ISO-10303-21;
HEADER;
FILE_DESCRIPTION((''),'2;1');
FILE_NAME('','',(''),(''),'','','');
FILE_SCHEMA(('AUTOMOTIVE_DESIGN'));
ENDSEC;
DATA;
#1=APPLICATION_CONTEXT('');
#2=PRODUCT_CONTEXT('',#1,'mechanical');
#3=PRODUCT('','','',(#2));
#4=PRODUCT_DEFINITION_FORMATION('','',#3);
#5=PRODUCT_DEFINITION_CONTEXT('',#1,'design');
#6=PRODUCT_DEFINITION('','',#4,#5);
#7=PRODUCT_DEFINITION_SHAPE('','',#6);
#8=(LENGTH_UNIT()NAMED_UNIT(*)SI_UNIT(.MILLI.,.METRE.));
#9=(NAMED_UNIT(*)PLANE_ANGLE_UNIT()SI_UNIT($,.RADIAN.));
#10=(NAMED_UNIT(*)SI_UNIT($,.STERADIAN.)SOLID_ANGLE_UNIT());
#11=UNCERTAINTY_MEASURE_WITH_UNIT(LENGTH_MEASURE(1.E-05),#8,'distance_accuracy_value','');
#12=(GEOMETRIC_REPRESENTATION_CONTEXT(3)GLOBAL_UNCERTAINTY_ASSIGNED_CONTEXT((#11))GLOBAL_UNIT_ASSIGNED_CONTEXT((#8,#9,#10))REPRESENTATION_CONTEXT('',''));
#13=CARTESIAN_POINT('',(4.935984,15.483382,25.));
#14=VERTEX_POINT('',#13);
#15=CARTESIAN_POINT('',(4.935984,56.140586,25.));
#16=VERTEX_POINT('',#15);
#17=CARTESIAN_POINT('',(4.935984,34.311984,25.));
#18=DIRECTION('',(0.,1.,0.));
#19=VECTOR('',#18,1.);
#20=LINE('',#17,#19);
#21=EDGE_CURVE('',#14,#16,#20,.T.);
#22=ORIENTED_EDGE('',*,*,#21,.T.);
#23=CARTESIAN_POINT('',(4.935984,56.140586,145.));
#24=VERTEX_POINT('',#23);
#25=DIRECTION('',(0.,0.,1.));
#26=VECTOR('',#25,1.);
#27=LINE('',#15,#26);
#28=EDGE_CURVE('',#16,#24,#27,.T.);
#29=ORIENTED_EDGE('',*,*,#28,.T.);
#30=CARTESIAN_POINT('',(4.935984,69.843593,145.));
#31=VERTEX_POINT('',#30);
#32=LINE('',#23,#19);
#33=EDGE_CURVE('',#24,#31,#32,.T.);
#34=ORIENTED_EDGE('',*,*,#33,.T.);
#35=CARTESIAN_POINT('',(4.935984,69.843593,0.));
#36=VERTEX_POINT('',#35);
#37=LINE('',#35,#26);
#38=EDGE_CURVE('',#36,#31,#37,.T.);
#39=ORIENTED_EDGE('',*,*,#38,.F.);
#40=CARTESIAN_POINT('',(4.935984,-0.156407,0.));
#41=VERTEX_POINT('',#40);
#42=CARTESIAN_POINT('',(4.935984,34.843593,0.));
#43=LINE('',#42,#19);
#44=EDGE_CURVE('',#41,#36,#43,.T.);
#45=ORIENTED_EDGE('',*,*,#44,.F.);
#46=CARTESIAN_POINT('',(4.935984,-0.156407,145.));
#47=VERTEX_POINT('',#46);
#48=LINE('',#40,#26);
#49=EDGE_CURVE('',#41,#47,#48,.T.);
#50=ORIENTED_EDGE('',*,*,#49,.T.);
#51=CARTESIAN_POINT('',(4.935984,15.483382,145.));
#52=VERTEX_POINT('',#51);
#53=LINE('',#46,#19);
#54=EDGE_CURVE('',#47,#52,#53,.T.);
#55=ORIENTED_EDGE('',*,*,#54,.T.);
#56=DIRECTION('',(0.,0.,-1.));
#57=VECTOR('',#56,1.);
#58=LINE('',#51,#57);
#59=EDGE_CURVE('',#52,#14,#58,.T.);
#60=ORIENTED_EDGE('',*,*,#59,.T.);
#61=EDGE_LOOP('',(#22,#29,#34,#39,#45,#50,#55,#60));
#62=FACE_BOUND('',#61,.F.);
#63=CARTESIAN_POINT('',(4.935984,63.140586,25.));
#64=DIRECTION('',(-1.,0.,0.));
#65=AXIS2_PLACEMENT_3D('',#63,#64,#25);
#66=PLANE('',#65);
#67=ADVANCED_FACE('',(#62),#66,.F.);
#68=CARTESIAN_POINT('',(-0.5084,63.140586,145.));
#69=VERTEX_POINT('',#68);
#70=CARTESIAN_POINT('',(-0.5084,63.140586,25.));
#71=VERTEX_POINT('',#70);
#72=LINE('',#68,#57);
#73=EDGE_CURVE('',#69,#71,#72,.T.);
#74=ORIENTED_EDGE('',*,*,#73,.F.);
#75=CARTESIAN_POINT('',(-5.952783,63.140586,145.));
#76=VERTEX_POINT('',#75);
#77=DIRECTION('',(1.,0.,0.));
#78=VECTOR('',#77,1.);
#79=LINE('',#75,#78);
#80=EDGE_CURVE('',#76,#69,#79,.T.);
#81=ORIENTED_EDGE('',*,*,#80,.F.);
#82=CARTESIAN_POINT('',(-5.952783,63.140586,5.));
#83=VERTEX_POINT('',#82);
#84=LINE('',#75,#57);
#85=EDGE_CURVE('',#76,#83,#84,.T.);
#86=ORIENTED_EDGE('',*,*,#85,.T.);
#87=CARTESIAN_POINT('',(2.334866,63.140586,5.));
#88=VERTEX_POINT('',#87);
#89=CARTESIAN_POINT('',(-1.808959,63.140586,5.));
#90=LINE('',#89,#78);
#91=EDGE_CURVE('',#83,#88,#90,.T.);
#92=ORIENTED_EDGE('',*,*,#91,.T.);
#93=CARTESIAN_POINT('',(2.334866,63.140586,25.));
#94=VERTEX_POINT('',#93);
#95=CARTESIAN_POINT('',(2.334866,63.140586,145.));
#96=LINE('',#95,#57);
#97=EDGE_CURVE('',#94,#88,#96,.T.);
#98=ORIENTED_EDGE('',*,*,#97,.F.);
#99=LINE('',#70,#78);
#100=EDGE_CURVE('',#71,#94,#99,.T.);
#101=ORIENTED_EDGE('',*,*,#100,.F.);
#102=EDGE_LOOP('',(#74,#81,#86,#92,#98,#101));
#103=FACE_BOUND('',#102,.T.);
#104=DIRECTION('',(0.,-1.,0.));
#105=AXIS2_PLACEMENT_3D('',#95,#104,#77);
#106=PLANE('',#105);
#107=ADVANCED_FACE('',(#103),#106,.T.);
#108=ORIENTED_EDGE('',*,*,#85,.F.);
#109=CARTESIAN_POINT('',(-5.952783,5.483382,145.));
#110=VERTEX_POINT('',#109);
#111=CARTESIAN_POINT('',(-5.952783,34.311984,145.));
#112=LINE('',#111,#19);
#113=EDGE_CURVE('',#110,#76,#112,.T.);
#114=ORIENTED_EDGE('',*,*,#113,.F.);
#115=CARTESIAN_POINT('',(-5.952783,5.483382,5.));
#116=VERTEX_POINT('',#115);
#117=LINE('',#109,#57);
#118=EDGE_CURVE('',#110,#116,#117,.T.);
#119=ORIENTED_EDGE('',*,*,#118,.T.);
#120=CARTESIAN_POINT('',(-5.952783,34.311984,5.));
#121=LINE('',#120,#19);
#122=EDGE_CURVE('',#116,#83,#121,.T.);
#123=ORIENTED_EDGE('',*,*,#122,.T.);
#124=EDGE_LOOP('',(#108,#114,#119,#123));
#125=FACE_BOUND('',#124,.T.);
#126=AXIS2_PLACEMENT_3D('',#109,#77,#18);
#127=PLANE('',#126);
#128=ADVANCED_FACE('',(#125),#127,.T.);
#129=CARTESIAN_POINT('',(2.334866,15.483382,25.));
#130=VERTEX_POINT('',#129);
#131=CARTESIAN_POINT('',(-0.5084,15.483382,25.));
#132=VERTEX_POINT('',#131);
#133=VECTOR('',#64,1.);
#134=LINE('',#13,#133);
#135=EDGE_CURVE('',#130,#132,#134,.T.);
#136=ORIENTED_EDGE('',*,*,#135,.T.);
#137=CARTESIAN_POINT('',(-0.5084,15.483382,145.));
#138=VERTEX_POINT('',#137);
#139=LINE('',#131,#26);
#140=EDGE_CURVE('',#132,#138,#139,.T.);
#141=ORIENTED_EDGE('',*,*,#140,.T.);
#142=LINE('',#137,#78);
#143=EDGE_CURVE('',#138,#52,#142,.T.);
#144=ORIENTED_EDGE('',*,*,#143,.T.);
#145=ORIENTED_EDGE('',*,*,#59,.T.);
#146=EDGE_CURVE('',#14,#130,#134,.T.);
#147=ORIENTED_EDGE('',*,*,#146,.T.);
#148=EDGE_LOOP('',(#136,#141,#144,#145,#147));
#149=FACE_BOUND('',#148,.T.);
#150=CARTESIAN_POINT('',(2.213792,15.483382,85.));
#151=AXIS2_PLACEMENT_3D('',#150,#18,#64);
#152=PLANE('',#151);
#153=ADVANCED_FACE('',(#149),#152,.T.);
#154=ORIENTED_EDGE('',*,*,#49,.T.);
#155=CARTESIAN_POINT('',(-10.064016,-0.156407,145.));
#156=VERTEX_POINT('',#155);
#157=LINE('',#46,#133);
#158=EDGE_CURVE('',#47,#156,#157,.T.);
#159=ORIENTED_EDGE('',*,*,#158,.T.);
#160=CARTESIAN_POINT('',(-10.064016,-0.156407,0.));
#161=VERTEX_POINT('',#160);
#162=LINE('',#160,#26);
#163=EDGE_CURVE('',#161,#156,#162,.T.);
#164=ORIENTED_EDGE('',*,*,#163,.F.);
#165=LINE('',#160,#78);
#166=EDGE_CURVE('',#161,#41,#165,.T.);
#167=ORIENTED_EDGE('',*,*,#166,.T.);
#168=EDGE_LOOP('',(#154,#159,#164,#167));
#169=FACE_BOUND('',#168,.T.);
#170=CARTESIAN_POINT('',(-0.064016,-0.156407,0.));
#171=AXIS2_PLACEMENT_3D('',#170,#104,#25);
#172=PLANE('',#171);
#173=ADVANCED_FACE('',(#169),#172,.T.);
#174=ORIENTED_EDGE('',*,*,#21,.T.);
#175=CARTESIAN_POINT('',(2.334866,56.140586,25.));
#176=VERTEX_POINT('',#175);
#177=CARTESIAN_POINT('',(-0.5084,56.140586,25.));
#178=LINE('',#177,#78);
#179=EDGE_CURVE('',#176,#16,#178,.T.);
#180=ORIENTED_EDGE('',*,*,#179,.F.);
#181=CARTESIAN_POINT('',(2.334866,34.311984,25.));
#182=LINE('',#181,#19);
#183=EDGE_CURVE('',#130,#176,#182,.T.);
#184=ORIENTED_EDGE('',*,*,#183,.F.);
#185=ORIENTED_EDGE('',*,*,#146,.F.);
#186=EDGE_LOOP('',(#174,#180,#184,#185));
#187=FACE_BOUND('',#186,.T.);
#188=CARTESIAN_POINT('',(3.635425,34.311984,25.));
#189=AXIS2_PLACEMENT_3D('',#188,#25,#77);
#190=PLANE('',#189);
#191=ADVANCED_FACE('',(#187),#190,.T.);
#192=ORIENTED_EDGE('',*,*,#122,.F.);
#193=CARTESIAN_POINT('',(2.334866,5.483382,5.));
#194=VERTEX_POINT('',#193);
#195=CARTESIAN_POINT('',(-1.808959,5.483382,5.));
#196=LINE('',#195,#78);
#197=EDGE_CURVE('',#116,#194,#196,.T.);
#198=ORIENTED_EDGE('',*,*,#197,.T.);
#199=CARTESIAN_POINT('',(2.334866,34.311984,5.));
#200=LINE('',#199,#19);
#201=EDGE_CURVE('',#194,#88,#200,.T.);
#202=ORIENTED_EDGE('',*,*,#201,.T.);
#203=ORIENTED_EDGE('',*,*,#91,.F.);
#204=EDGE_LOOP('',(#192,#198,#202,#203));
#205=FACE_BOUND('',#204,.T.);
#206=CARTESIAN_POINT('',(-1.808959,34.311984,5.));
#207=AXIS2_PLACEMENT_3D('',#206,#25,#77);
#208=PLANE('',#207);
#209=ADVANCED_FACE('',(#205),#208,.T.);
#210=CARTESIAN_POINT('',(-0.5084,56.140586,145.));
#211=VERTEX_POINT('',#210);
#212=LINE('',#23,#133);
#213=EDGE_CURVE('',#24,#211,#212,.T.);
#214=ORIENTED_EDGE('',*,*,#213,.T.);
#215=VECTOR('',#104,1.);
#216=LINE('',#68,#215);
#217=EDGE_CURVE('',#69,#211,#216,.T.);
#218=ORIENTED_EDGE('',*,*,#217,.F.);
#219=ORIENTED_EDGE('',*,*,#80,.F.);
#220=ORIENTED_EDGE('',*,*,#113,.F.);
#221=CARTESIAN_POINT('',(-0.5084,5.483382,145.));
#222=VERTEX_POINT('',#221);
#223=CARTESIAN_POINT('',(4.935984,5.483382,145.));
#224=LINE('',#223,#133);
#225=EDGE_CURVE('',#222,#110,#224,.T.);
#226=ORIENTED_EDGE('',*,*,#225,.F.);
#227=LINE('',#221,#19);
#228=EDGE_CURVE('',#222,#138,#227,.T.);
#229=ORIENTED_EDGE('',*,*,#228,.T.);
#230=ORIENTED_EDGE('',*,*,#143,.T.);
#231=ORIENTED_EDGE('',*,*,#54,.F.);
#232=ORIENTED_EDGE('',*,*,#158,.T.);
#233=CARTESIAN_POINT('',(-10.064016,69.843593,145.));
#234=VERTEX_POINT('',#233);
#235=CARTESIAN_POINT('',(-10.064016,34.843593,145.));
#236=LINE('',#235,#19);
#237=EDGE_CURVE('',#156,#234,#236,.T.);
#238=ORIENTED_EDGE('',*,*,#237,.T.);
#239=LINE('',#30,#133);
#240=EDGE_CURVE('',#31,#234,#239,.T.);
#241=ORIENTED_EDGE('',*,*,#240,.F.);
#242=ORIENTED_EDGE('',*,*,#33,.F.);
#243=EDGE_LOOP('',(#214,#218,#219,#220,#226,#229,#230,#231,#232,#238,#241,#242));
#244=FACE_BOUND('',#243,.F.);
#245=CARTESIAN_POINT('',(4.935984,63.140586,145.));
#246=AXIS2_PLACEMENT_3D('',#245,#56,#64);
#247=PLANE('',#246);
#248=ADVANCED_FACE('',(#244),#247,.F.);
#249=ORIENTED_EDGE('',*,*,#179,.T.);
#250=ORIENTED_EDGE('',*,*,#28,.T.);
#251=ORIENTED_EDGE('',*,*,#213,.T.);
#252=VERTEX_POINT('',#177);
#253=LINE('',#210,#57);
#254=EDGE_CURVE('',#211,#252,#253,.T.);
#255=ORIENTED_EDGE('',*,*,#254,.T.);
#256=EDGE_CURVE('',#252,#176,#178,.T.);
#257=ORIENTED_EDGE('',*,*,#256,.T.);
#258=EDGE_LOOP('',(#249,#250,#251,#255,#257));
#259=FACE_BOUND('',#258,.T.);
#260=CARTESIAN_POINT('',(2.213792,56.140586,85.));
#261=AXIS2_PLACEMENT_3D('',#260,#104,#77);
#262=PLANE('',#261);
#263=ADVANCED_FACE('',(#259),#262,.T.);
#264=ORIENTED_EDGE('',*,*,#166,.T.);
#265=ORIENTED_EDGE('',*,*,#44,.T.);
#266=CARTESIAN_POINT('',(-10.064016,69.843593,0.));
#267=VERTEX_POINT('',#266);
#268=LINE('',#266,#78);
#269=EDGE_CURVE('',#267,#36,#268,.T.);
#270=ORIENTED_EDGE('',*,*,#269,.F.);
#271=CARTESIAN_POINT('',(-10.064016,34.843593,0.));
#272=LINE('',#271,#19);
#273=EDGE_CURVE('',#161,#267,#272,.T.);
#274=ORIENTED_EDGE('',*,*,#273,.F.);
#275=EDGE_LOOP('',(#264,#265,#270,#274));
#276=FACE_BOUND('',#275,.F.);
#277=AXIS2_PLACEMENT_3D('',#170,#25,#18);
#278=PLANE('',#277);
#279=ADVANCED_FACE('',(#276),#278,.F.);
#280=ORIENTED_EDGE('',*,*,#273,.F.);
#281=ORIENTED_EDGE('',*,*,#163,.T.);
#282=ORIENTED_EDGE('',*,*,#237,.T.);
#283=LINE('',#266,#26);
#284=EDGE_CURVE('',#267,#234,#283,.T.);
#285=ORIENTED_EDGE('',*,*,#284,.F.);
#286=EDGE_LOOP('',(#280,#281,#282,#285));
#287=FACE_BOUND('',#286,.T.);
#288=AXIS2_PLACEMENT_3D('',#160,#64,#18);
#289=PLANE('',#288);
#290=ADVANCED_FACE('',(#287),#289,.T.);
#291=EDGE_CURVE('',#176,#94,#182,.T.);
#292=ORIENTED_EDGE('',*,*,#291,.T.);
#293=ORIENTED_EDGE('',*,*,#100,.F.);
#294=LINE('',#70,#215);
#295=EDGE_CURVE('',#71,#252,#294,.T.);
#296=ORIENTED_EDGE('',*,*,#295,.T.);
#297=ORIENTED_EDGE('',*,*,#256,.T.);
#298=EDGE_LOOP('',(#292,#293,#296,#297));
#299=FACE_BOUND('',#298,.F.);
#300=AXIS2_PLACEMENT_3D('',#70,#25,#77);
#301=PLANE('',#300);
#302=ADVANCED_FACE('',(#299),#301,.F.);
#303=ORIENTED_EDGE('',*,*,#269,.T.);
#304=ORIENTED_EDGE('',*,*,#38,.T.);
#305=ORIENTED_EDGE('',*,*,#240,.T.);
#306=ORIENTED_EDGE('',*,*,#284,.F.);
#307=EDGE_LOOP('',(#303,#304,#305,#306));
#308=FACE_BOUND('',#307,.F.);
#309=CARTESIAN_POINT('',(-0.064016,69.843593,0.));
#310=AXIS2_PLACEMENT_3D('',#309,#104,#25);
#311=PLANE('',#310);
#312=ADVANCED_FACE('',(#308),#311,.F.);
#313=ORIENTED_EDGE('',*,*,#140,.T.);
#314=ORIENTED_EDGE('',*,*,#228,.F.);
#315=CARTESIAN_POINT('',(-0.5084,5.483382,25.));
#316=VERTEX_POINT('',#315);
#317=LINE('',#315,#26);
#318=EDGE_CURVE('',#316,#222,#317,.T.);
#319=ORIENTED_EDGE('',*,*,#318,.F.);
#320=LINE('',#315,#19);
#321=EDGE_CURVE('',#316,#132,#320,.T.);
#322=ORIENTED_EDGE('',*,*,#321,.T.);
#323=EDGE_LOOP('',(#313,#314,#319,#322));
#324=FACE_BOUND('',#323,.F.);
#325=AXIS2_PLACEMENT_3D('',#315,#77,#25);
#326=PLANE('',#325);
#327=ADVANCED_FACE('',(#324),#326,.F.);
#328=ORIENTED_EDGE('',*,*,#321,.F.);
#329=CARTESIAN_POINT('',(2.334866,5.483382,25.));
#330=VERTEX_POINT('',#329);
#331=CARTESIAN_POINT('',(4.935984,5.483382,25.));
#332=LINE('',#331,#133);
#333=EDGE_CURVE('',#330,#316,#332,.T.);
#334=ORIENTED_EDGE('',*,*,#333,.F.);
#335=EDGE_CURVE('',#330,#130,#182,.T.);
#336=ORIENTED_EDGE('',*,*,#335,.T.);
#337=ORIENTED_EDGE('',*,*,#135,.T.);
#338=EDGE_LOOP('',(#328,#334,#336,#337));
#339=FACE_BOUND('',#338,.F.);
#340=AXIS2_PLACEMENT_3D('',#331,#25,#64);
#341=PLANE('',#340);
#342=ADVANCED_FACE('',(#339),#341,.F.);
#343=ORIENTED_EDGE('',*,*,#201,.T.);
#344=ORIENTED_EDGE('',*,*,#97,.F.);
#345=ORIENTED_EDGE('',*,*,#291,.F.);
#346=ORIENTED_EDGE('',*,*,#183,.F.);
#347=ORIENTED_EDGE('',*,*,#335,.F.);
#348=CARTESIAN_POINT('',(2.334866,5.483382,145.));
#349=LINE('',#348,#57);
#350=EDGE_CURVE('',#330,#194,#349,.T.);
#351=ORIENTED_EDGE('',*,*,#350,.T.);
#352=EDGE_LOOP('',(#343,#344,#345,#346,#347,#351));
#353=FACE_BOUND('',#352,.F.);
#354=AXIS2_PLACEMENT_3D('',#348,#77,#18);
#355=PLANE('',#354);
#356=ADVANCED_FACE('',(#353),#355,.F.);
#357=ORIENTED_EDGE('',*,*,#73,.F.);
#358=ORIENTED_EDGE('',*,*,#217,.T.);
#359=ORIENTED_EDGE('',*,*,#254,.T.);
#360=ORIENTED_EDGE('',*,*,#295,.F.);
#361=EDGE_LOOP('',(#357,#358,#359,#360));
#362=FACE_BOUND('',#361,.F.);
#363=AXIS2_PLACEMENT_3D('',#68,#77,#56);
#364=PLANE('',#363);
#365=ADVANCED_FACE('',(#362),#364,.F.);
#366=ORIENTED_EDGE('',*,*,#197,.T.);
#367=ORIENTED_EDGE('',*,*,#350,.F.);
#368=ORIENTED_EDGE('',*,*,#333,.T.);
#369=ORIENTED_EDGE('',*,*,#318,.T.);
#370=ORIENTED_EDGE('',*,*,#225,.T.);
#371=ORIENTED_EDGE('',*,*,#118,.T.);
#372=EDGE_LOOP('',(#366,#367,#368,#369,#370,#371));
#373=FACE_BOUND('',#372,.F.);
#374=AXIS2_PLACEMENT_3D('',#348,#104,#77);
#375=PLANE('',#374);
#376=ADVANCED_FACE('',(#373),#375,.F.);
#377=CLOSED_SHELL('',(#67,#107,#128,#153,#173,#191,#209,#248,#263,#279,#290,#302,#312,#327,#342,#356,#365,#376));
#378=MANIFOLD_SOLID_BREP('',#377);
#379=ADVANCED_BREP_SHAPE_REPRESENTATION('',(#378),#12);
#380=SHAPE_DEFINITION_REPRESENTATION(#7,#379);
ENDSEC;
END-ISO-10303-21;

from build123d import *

# Parameters (mm, degrees)
F0_W      = 10
F0_H      = 70
F1_DEPTH  = 145
F2_DEPTH  = 5
F3_W      = 8.287649136
F3_H      = 57.6572036371
F4_DEPTH  = 140
F5_W      = 2.6011180505
F5_H      = 57.6572036371
F6_DEPTH  = 120
F8_DEPTH  = 10
F10_DEPTH = 7


with BuildPart() as f1:
    # F0 (on Top) → F1 (new body)
    with BuildSketch(Plane.XY):
        with Locations((-5.0640162081, 34.8435932503)):
            Rectangle(F0_W, F0_H)
    extrude(amount=F1_DEPTH)

    # F2 (add): a face of the model
    f2_faces = [f1.faces().sort_by_distance(p)[0] for p in [
        (-0.0640162081, 34.8435932503, 72.5),
    ]]
    extrude(f2_faces, amount=F2_DEPTH)

    # F3 (on face) → F4 (cut)
    with BuildSketch(Plane.XY.offset(145)):
        with Locations((-1.8089588266, 34.3119842)):
            Rectangle(F3_W, F3_H)
    extrude(amount=-F4_DEPTH, mode=Mode.SUBTRACT)

    # F5 (on face) → F6 (cut)
    with BuildSketch(Plane.XY.offset(145)):
        with Locations((3.6354247667, 34.3119842)):
            Rectangle(F5_W, F5_H)
    extrude(amount=-F6_DEPTH, mode=Mode.SUBTRACT)

    # F7 (on face) → F8 (join)
    with BuildSketch(Plane(origin=(0, 5.4833823815, 0), x_dir=(-1, 0, 0), z_dir=(0, 1, 0))):
        Polygon((0.5083998013, 25), (0.5083998013, 145), (-4.9359837919, 145), (-4.9359837919, 25), (-2.3348657414, 25), align=None)
    extrude(amount=F8_DEPTH)

    # F9 (on face) → F10 (join)
    with BuildSketch(Plane.XZ.offset(-63.1405860186)):
        Polygon((4.9359837919, 145), (-0.5083998013, 145), (-0.5083998013, 25), (2.3348657414, 25), (4.9359837919, 25), align=None)
    extrude(amount=F10_DEPTH)


solid = f1.part
